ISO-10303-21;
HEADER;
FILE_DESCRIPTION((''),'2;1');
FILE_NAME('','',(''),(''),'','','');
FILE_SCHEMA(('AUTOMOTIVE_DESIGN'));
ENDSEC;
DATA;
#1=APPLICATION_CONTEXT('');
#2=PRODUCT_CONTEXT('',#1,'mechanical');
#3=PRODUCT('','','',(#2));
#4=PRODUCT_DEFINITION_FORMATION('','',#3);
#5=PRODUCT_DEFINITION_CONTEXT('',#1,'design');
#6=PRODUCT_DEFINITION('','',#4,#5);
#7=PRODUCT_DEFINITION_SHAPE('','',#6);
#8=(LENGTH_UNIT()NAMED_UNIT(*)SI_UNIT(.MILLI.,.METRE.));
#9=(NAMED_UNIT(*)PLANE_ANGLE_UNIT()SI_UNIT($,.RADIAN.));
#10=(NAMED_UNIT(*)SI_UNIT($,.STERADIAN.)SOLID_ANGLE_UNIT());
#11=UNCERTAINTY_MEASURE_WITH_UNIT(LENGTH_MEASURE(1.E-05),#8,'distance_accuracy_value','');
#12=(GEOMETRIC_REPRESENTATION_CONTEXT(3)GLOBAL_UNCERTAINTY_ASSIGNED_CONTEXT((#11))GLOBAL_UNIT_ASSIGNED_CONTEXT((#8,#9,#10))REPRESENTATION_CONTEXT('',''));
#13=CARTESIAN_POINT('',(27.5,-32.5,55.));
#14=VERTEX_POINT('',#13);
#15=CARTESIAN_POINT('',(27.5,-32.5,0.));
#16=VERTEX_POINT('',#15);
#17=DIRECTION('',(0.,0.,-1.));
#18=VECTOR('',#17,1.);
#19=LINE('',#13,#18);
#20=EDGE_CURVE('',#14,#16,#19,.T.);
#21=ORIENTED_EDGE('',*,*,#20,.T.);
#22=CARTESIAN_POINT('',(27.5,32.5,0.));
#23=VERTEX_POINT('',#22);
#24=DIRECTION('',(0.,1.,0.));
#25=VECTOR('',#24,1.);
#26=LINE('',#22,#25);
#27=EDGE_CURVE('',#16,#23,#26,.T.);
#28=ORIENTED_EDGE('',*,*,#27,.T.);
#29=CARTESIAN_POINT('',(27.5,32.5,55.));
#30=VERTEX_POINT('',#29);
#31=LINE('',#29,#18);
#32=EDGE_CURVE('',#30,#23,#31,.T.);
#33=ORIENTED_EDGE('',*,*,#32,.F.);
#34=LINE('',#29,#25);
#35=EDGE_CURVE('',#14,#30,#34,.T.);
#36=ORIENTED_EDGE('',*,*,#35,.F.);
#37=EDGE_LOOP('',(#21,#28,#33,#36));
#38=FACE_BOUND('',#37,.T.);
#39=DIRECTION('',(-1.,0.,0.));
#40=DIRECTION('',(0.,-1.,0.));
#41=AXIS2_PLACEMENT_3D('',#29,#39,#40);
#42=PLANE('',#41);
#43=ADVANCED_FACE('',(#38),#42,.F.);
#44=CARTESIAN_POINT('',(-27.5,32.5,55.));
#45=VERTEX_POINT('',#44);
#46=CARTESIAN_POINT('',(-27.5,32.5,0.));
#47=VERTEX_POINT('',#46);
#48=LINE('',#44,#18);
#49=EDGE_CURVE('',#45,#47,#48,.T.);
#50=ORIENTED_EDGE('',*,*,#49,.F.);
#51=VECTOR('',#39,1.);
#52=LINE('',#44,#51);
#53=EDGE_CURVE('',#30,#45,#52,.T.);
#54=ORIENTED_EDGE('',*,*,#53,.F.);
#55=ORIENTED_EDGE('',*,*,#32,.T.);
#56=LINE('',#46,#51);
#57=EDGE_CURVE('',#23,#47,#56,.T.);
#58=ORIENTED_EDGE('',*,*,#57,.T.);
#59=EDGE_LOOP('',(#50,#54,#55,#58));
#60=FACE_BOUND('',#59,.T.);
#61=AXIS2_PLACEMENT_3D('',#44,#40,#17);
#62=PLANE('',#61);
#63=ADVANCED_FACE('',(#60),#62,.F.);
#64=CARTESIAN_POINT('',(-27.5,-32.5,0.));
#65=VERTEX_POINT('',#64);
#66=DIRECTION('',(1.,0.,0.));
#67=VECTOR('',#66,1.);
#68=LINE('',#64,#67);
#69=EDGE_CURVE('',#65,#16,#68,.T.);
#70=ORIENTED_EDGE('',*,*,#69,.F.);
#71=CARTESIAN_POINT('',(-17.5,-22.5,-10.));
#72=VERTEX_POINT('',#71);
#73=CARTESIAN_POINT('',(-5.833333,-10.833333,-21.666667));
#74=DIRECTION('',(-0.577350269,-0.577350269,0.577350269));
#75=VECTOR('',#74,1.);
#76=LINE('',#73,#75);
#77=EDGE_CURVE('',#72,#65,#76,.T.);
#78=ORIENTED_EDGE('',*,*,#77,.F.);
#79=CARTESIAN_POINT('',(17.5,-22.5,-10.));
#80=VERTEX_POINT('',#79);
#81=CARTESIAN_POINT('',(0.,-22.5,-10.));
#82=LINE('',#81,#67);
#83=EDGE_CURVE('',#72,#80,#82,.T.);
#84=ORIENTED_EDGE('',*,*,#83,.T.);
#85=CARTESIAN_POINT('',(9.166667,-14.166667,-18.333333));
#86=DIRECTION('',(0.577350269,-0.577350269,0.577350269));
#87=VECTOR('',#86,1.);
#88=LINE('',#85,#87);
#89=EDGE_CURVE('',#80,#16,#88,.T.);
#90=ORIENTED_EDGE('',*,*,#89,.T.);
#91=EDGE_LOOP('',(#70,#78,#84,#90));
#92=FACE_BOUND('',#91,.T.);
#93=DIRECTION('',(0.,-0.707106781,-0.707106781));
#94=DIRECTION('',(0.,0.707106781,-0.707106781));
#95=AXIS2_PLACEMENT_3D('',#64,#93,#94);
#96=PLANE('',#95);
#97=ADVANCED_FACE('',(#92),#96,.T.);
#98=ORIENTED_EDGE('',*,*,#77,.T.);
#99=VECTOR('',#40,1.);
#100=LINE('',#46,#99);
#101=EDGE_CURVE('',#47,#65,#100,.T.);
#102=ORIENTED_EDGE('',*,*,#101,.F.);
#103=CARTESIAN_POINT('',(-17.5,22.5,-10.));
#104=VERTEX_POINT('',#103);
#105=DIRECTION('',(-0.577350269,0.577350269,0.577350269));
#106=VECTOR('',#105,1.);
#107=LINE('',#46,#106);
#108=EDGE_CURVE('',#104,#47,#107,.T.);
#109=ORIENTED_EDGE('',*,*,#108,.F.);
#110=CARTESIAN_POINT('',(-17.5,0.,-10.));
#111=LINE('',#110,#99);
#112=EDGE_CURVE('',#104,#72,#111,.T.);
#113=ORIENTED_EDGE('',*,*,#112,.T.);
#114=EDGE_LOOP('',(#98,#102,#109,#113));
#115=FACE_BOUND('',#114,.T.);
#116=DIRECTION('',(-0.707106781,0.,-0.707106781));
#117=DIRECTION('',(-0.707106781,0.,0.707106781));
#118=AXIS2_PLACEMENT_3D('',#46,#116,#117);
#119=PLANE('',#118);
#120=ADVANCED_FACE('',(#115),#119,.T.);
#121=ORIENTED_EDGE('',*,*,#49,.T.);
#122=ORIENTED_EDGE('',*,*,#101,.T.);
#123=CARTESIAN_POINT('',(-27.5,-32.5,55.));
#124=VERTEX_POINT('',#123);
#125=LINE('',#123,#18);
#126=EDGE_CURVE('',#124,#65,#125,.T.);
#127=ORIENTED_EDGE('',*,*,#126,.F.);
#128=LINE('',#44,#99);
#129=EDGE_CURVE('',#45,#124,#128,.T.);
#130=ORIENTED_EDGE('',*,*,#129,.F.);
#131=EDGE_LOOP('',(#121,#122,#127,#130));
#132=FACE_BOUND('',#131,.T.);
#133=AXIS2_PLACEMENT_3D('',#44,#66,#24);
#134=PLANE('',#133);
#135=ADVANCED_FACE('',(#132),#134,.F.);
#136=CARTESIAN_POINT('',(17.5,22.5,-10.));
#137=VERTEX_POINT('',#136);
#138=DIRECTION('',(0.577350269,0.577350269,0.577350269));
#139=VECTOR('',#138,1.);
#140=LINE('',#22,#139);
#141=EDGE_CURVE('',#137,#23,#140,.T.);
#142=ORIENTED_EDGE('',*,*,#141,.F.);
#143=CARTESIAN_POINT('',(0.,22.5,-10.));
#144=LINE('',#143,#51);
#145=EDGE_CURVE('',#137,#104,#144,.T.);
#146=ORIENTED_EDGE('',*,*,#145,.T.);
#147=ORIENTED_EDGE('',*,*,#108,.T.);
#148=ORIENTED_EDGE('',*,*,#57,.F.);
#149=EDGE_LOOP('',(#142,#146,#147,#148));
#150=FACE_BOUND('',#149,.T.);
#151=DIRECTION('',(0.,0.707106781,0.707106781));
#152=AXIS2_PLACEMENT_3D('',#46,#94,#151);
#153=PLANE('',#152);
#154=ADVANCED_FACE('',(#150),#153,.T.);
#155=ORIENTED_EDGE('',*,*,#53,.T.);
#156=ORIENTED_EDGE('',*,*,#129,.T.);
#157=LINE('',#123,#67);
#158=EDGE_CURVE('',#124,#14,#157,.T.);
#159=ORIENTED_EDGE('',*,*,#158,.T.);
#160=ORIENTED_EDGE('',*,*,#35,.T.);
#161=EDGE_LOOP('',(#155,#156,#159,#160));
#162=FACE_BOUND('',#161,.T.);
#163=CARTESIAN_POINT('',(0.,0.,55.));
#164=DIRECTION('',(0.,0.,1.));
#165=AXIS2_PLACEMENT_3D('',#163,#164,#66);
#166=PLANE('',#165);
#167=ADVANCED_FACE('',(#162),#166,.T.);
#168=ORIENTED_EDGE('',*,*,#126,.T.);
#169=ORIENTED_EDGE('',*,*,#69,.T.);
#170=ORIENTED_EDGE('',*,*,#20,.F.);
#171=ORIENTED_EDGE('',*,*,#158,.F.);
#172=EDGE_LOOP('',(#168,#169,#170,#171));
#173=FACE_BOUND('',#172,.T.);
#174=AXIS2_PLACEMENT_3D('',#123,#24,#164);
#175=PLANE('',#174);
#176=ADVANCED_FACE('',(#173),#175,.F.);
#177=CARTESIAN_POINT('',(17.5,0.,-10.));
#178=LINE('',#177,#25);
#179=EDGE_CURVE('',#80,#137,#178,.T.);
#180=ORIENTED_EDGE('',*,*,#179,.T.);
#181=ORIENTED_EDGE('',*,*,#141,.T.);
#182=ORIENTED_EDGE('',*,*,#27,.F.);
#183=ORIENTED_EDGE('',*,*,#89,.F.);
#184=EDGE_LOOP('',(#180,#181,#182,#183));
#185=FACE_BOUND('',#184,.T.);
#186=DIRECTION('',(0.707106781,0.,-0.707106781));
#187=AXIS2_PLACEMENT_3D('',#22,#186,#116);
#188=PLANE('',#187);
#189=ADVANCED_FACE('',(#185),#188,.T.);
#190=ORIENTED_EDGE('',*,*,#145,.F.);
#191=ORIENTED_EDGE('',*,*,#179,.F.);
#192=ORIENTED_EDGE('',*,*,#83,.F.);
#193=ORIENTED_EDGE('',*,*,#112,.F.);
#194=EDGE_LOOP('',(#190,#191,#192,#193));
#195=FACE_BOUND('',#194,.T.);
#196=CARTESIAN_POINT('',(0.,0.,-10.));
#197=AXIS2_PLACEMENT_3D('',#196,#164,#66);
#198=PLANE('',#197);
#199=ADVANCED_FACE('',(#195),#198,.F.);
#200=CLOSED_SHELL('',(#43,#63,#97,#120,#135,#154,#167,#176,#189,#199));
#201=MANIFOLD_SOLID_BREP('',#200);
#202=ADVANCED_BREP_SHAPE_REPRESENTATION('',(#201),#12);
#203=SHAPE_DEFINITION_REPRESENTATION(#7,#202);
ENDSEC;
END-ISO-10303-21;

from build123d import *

# Parameters (mm, degrees)
SKETCH1_W                     = 55
SKETCH1_H                     = 65
BOSS_EXTRUDE1_DEPTH           = 55
BOSS_EXTRUDE1_OTHER_WAY_DEPTH = 10
BOSS_EXTRUDE1_OTHER_WAY_TAPER = 45


with BuildPart() as part:
    # Sketch1 → Boss-Extrude1 (new body)
    with BuildSketch(Plane.XY):
        Rectangle(SKETCH1_W, SKETCH1_H)
    extrude(amount=BOSS_EXTRUDE1_DEPTH)

    # Sketch1 → Boss-Extrude1 other way (add)
    with BuildSketch(Plane.XY):
        Rectangle(SKETCH1_W, SKETCH1_H)
    extrude(amount=-BOSS_EXTRUDE1_OTHER_WAY_DEPTH, taper=BOSS_EXTRUDE1_OTHER_WAY_TAPER)


solid = part.part
